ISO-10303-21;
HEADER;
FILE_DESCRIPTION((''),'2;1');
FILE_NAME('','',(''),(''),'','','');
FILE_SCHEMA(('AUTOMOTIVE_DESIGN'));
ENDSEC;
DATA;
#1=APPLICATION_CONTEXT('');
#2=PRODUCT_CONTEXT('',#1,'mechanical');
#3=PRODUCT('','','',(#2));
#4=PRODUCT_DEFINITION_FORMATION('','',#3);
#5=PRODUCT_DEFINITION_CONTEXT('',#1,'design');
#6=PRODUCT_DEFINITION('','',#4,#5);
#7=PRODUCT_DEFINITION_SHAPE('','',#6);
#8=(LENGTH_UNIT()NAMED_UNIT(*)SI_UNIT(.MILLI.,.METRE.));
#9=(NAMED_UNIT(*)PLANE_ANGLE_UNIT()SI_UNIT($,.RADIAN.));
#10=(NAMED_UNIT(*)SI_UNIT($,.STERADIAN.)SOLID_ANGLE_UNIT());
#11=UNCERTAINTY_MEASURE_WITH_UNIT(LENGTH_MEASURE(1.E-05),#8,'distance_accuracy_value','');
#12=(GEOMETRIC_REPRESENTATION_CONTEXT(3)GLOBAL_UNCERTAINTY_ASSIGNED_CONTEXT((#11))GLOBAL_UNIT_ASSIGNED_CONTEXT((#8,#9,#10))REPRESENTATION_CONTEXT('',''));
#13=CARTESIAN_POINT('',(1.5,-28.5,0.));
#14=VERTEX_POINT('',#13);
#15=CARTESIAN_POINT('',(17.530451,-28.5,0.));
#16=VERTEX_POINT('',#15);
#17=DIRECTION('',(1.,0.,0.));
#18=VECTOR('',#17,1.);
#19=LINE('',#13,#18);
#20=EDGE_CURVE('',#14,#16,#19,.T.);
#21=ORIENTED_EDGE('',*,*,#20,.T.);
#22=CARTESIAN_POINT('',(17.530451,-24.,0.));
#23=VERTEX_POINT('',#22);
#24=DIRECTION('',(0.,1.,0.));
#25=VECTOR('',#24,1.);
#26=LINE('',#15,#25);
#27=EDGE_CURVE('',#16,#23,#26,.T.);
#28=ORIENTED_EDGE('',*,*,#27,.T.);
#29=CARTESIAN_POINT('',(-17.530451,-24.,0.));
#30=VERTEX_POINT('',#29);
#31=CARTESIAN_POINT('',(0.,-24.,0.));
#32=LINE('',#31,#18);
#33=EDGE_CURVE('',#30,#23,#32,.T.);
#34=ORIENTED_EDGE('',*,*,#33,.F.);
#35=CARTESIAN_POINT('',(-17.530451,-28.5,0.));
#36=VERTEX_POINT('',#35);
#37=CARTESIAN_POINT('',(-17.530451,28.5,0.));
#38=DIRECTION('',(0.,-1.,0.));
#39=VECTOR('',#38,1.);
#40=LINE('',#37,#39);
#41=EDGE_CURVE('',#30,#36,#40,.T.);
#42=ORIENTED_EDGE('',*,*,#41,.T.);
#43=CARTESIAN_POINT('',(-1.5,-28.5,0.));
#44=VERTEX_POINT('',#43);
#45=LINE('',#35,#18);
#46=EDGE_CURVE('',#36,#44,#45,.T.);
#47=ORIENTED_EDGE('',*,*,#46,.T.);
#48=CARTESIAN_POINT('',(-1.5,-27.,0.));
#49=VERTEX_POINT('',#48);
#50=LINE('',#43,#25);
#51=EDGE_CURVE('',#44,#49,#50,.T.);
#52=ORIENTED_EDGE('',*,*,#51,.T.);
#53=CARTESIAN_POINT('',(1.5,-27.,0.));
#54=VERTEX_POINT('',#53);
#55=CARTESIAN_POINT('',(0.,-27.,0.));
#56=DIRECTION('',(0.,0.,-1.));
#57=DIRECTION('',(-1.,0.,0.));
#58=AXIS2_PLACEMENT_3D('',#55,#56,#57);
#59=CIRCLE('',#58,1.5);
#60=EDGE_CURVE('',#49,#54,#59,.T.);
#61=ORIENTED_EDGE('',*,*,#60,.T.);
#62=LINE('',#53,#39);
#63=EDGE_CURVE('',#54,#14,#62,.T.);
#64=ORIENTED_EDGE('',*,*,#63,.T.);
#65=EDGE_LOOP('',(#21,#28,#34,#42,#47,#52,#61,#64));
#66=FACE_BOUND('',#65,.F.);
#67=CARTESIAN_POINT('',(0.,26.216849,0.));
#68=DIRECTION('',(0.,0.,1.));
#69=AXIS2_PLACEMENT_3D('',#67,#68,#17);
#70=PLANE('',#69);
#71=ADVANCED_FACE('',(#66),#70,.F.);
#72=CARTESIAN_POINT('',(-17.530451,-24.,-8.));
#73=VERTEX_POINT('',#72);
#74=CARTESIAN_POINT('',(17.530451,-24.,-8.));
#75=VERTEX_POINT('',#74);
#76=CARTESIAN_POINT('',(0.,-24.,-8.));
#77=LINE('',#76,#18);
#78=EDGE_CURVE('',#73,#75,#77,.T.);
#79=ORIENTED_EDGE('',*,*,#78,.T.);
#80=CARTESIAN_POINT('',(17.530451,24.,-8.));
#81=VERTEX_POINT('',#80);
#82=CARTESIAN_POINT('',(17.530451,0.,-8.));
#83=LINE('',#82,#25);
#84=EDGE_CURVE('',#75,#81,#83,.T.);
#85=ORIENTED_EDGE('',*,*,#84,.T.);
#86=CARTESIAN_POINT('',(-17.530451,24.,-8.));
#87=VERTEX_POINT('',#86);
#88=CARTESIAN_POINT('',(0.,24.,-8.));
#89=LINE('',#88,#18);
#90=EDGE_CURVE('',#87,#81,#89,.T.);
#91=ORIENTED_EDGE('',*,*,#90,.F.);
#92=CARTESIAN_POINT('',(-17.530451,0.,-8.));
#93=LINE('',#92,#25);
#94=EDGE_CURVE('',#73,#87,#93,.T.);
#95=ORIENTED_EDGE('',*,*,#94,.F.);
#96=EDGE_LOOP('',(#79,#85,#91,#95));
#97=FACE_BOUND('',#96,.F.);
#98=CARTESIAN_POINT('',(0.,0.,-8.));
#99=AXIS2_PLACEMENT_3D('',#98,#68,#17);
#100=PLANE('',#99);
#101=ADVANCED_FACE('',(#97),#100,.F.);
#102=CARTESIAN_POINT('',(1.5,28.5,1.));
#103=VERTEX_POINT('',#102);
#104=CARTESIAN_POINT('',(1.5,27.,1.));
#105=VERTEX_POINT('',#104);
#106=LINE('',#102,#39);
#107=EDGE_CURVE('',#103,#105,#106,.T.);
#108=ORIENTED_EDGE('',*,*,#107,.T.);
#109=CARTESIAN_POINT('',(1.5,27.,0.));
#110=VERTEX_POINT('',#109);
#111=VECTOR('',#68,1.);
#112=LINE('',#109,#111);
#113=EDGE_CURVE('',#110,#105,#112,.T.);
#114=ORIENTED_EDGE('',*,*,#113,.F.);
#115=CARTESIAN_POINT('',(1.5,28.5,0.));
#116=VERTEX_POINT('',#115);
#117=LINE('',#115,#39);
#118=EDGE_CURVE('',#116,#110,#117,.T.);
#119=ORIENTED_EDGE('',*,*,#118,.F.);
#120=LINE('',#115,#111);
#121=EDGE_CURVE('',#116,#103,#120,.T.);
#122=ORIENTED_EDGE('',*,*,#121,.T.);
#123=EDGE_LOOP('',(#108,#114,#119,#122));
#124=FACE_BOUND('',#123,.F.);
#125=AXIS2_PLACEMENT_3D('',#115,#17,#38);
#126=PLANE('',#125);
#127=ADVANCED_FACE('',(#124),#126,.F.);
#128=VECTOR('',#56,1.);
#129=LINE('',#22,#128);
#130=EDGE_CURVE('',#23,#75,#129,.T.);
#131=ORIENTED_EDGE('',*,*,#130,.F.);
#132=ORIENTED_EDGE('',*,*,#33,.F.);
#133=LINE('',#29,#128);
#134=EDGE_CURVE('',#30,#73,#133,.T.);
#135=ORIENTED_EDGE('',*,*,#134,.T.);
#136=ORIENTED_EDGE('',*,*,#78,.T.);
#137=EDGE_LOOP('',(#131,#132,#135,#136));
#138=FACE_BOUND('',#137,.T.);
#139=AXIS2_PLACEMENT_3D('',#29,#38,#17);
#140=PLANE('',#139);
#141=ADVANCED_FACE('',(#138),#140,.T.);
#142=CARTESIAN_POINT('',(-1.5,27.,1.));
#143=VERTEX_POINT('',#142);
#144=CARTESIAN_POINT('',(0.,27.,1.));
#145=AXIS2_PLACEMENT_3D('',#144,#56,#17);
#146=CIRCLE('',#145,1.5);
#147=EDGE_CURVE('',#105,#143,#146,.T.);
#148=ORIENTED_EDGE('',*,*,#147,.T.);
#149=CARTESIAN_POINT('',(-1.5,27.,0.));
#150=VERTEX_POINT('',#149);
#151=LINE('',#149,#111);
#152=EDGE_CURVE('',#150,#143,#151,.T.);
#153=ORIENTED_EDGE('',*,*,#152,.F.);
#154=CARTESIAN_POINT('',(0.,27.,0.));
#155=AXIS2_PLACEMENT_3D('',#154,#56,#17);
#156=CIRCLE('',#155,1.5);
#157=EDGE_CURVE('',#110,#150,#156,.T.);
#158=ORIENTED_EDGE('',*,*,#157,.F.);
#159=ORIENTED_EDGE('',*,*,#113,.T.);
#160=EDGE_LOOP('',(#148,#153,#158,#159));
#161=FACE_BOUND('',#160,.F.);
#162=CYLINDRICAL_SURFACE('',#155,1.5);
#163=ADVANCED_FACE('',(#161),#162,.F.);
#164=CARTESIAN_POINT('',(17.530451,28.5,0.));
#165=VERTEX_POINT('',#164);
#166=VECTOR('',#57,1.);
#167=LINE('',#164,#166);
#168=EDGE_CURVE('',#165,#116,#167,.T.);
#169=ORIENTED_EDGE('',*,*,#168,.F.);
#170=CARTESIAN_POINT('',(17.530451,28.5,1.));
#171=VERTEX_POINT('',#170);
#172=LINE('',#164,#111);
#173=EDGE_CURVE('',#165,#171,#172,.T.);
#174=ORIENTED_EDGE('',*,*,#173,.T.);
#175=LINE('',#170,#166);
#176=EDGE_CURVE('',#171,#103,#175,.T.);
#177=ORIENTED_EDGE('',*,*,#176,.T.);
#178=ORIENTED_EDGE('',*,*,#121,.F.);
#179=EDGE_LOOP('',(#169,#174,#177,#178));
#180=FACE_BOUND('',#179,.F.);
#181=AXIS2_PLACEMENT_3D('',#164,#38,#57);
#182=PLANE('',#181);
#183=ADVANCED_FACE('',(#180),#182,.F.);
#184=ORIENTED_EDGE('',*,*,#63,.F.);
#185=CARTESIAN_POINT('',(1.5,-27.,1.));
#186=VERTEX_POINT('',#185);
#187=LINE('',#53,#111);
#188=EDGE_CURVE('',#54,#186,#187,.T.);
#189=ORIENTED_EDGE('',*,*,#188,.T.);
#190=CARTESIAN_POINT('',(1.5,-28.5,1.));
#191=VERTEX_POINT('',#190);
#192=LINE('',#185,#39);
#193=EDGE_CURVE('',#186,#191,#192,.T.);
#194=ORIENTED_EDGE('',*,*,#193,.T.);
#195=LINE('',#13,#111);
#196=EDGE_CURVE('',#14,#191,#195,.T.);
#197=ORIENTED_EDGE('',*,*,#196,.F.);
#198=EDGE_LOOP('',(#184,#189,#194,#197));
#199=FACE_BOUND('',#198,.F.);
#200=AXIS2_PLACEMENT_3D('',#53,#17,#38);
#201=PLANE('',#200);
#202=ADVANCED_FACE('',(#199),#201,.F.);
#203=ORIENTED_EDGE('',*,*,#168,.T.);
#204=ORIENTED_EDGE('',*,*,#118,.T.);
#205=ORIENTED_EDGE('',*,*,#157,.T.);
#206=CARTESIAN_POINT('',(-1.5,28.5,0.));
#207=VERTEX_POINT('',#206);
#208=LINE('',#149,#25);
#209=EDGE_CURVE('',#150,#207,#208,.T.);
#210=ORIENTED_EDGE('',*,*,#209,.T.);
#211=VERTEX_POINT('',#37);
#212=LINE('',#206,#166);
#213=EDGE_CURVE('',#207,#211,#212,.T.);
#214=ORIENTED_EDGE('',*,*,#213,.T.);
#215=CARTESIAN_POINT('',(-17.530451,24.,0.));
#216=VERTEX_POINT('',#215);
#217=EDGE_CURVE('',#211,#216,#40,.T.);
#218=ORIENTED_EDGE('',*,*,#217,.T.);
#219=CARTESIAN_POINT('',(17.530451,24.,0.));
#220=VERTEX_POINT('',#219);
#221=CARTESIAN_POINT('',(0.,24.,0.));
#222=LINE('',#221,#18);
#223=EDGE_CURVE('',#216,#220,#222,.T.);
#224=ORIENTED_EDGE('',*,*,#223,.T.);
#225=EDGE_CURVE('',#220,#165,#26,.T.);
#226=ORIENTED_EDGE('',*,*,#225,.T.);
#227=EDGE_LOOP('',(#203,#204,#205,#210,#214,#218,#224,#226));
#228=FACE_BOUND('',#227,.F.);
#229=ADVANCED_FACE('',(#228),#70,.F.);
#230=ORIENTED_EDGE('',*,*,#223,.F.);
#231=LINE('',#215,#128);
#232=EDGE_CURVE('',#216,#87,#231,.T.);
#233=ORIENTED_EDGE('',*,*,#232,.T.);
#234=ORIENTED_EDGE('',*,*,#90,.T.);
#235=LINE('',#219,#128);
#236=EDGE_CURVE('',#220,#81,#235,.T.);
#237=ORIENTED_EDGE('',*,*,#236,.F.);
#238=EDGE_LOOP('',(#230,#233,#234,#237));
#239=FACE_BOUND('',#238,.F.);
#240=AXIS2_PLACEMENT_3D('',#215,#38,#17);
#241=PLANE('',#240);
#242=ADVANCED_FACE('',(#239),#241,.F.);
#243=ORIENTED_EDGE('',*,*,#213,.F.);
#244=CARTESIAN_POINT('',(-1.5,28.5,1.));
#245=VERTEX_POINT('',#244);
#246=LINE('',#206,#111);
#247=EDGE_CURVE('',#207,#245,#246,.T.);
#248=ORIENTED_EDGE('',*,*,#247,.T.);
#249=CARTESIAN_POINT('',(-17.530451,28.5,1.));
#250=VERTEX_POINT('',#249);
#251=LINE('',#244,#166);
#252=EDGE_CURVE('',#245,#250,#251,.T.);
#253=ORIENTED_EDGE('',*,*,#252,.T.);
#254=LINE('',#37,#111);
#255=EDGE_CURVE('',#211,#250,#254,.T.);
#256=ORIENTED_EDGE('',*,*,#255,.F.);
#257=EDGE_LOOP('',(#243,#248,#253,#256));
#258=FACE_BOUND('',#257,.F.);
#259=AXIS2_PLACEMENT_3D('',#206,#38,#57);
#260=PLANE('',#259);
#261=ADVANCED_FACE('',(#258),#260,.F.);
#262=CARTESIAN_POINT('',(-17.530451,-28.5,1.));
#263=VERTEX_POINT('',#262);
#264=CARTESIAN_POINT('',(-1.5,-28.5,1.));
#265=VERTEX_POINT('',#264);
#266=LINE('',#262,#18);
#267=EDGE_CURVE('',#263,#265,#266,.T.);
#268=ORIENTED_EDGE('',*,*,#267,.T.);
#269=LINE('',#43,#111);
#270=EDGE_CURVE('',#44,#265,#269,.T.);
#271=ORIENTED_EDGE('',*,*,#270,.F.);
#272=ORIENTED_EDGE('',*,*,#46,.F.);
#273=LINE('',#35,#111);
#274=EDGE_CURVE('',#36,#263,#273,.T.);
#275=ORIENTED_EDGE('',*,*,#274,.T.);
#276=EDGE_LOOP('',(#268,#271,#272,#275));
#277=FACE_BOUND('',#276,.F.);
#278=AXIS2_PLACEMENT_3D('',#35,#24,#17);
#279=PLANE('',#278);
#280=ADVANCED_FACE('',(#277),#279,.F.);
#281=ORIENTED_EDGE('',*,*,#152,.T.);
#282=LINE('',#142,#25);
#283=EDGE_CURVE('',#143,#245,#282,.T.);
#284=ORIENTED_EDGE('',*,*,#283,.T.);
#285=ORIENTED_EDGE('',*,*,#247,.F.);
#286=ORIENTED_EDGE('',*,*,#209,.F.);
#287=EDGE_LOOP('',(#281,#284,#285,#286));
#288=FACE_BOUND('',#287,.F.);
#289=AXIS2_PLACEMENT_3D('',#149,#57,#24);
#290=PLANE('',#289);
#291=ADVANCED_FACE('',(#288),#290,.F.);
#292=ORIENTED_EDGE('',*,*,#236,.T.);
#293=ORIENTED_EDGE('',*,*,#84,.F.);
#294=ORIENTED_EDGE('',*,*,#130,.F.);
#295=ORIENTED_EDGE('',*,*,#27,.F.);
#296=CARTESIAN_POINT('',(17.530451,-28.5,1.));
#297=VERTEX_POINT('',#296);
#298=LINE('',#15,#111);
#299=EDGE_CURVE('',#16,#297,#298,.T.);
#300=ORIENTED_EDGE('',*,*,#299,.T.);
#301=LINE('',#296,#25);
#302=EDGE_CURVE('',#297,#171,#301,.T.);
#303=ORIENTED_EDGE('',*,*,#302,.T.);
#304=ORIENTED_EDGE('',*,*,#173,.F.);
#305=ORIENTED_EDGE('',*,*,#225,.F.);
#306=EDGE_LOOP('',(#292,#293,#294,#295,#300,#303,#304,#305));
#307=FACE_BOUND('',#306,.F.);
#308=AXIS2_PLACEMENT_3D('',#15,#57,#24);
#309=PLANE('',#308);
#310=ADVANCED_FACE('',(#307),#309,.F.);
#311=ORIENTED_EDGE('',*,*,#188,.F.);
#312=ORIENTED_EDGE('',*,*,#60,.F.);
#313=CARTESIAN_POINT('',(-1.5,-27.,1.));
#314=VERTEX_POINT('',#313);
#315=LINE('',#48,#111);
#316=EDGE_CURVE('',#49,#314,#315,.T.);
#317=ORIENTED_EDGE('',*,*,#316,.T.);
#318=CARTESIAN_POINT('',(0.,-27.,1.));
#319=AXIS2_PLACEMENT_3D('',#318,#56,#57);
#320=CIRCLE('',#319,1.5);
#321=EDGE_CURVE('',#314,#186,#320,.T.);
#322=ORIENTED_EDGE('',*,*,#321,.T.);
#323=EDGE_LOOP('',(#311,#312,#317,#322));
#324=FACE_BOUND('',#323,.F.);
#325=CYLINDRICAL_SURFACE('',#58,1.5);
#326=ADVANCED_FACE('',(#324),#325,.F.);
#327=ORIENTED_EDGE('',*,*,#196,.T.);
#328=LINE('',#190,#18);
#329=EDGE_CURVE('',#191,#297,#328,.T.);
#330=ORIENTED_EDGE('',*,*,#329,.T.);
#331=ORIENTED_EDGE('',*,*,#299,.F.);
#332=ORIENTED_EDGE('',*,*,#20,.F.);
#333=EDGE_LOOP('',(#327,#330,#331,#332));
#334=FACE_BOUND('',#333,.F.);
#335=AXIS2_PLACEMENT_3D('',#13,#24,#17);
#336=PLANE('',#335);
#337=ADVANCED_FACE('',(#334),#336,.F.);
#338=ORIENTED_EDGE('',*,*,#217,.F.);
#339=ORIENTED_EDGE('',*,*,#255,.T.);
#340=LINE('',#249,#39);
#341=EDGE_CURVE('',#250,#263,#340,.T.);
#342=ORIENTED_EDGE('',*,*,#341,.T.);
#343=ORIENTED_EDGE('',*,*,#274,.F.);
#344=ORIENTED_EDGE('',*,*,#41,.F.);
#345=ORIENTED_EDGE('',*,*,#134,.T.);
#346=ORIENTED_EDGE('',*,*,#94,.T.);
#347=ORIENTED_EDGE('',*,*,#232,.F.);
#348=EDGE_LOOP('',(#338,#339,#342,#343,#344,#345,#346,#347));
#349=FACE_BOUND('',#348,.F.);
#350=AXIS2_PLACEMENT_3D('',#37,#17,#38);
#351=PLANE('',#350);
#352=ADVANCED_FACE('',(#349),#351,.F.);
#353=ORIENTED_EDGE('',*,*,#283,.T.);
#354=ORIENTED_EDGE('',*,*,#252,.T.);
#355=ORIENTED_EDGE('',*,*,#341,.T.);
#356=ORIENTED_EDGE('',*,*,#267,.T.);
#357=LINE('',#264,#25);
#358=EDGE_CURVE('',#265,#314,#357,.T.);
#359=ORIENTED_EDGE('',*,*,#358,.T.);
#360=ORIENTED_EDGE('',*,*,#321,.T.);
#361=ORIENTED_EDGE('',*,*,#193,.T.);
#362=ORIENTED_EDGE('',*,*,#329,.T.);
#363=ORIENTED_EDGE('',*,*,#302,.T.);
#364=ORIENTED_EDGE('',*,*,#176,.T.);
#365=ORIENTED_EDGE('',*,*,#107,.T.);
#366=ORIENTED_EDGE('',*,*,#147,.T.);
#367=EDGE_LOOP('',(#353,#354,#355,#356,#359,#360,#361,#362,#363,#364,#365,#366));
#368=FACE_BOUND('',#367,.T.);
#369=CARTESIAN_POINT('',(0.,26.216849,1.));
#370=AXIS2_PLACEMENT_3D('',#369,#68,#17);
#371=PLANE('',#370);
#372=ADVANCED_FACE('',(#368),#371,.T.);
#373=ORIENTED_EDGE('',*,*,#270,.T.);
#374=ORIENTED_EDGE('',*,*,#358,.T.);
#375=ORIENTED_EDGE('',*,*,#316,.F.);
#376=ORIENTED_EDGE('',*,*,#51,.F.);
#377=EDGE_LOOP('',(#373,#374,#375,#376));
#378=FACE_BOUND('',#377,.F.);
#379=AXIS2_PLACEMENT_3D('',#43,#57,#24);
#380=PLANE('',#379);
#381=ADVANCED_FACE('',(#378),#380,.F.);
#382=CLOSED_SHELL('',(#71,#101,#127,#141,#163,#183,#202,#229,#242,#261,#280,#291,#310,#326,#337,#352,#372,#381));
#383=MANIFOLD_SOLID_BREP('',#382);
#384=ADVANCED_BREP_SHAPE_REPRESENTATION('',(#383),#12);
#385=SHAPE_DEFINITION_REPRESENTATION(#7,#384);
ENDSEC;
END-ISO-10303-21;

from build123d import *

# Parameters (mm, degrees)
F0_W     = 35.060902
F0_H     = 48
F1_DEPTH = 1
F2_DEPTH = 8


with BuildPart() as f1:
    # F0 (on Top) → F1 (new body)
    with BuildSketch(Plane.XY):
        with BuildLine():
            Line((-17.530451, 28.5), (-17.530451, 24))
            Line((-17.530451, 24), (17.530451, 24))
            Line((17.530451, 24), (17.530451, 28.5))
            Line((17.530451, 28.5), (1.5, 28.5))
            Line((1.5, 28.5), (1.5, 27))
            ThreePointArc((1.5, 27), (0, 25.5), (-1.5, 27))
            Line((-1.5, 27), (-1.5, 28.5))
            Line((-1.5, 28.5), (-17.530451, 28.5))
        make_face()
        Rectangle(F0_W, F0_H)
        with BuildLine():
            Line((-17.530451, -24), (-17.530451, -28.5))
            Line((-17.530451, -28.5), (-1.5, -28.5))
            Line((-1.5, -28.5), (-1.5, -27))
            ThreePointArc((-1.5, -27), (0, -25.5), (1.5, -27))
            Line((1.5, -27), (1.5, -28.5))
            Line((1.5, -28.5), (17.530451, -28.5))
            Line((17.530451, -28.5), (17.530451, -24))
            Line((17.530451, -24), (-17.530451, -24))
        make_face()
    extrude(amount=F1_DEPTH)

    # F0 (on Top) → F2 (join)
    with BuildSketch(Plane.XY):
        Rectangle(F0_W, F0_H)
    extrude(amount=-F2_DEPTH)


solid = f1.part
